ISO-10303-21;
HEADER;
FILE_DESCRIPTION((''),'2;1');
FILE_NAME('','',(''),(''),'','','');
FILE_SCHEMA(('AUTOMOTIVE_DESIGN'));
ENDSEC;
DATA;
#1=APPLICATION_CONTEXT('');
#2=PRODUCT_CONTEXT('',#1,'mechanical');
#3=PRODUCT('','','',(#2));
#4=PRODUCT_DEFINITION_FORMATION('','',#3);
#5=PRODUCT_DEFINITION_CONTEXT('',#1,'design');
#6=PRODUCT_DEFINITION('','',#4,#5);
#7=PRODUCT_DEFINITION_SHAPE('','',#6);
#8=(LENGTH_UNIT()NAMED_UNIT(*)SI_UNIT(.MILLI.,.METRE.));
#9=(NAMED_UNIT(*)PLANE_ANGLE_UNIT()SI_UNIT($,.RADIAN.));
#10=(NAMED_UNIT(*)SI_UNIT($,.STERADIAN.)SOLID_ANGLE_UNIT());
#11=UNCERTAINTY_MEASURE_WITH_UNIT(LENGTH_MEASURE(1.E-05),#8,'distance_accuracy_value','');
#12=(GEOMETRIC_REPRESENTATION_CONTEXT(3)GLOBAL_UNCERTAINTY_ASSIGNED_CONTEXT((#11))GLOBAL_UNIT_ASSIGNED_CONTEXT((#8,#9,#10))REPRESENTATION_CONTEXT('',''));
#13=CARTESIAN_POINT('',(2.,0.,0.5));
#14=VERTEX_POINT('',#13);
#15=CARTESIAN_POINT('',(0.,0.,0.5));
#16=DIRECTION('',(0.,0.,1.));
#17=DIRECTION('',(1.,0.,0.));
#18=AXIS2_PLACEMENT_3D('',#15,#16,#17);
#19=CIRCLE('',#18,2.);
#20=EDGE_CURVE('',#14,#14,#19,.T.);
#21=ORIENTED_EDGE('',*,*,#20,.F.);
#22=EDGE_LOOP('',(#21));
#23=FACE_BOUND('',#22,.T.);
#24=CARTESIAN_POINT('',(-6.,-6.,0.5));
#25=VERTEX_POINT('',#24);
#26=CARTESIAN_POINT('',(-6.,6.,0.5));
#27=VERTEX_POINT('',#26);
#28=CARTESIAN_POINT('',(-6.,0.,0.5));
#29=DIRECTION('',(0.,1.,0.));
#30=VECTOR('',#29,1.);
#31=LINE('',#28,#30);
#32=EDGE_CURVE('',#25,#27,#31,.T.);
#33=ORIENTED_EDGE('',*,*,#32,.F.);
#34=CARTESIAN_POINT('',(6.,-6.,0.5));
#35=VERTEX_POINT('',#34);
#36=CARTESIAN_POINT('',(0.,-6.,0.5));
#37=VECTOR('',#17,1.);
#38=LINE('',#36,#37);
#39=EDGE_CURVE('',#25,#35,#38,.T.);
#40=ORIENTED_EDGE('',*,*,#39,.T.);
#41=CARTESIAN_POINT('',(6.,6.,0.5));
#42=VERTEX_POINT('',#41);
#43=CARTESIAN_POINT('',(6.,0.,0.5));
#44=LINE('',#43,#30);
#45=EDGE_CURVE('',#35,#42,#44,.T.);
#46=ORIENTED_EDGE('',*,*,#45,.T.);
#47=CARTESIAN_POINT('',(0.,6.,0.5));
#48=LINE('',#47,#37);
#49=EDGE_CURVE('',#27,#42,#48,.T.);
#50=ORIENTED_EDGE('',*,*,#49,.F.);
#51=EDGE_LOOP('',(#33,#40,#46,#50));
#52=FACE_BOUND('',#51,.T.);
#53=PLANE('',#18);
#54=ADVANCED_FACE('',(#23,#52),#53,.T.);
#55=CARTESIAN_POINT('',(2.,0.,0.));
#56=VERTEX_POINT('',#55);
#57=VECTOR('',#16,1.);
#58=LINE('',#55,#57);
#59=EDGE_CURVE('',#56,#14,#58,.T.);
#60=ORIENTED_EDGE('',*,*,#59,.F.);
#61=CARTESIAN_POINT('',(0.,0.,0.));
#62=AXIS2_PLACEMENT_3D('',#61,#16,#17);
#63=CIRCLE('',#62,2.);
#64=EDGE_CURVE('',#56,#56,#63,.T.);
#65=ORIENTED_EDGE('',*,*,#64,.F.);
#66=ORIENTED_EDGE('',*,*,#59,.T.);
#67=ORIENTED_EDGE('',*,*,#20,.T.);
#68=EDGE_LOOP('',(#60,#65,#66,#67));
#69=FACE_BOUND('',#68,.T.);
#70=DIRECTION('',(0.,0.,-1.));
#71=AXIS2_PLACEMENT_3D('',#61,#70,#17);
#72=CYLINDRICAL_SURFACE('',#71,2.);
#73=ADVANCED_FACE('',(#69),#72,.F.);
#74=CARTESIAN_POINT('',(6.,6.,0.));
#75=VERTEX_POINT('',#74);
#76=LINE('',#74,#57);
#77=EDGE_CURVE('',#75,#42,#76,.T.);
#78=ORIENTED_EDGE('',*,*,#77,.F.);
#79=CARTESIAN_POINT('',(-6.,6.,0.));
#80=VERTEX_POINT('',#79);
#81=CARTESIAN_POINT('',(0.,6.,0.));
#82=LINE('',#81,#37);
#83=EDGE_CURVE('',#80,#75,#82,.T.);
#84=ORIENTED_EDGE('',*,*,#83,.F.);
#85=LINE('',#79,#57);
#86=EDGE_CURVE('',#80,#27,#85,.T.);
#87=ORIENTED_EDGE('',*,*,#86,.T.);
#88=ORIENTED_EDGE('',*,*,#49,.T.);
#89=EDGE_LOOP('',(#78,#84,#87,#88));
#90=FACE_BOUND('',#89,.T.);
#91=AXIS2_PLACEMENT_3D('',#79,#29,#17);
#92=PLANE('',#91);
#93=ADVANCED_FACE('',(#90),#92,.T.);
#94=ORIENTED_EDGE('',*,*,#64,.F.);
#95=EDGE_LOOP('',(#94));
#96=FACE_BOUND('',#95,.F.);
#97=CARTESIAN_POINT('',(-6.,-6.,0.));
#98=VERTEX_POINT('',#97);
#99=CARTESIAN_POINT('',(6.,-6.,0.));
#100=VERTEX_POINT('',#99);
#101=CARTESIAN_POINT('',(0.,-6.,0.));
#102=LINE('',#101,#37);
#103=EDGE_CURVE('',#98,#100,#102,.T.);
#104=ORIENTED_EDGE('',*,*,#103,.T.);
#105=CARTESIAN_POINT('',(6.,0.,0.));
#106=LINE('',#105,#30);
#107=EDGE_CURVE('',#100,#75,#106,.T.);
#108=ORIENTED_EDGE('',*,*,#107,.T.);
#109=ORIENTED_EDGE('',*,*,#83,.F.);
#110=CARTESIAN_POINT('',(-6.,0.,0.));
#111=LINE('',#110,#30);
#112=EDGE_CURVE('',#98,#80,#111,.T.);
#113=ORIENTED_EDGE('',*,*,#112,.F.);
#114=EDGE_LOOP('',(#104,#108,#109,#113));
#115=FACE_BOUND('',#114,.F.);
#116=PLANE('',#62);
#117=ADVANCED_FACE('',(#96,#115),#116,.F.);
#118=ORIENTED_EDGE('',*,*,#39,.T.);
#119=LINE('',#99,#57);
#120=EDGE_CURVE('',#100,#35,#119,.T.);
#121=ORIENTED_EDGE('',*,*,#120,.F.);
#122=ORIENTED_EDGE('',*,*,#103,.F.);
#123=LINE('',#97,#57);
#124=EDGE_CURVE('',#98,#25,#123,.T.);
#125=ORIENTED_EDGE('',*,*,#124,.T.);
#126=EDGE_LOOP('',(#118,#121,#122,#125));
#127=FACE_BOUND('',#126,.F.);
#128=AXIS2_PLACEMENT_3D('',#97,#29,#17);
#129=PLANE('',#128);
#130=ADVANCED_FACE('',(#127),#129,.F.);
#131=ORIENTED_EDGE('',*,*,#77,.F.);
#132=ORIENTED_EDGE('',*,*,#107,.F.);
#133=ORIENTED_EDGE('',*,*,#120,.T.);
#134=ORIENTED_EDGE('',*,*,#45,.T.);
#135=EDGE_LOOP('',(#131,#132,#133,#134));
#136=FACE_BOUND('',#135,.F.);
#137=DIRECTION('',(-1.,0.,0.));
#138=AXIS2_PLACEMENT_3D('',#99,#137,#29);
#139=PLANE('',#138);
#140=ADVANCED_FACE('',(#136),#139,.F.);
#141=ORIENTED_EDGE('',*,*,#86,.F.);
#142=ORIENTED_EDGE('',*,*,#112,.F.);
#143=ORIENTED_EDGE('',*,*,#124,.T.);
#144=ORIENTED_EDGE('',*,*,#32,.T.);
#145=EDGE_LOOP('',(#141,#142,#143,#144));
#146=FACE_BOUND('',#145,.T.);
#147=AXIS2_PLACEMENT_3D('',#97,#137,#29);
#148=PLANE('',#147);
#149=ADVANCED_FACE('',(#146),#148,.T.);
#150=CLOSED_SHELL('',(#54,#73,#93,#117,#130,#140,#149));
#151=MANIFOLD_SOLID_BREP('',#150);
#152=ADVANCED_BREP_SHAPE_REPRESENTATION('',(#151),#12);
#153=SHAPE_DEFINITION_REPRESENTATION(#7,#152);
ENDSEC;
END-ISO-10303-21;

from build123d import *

# Parameters (mm, degrees)
SKETCH_W  = 12
SKETCH_H  = 12
SKETCH_R  = 2
PAD_DEPTH = 0.5


with BuildPart() as part:
    # Sketch → Pad (new body)
    with BuildSketch(Plane.XY):
        Rectangle(SKETCH_W, SKETCH_H)
        Circle(SKETCH_R, mode=Mode.SUBTRACT)
    extrude(amount=PAD_DEPTH)


solid = part.part
